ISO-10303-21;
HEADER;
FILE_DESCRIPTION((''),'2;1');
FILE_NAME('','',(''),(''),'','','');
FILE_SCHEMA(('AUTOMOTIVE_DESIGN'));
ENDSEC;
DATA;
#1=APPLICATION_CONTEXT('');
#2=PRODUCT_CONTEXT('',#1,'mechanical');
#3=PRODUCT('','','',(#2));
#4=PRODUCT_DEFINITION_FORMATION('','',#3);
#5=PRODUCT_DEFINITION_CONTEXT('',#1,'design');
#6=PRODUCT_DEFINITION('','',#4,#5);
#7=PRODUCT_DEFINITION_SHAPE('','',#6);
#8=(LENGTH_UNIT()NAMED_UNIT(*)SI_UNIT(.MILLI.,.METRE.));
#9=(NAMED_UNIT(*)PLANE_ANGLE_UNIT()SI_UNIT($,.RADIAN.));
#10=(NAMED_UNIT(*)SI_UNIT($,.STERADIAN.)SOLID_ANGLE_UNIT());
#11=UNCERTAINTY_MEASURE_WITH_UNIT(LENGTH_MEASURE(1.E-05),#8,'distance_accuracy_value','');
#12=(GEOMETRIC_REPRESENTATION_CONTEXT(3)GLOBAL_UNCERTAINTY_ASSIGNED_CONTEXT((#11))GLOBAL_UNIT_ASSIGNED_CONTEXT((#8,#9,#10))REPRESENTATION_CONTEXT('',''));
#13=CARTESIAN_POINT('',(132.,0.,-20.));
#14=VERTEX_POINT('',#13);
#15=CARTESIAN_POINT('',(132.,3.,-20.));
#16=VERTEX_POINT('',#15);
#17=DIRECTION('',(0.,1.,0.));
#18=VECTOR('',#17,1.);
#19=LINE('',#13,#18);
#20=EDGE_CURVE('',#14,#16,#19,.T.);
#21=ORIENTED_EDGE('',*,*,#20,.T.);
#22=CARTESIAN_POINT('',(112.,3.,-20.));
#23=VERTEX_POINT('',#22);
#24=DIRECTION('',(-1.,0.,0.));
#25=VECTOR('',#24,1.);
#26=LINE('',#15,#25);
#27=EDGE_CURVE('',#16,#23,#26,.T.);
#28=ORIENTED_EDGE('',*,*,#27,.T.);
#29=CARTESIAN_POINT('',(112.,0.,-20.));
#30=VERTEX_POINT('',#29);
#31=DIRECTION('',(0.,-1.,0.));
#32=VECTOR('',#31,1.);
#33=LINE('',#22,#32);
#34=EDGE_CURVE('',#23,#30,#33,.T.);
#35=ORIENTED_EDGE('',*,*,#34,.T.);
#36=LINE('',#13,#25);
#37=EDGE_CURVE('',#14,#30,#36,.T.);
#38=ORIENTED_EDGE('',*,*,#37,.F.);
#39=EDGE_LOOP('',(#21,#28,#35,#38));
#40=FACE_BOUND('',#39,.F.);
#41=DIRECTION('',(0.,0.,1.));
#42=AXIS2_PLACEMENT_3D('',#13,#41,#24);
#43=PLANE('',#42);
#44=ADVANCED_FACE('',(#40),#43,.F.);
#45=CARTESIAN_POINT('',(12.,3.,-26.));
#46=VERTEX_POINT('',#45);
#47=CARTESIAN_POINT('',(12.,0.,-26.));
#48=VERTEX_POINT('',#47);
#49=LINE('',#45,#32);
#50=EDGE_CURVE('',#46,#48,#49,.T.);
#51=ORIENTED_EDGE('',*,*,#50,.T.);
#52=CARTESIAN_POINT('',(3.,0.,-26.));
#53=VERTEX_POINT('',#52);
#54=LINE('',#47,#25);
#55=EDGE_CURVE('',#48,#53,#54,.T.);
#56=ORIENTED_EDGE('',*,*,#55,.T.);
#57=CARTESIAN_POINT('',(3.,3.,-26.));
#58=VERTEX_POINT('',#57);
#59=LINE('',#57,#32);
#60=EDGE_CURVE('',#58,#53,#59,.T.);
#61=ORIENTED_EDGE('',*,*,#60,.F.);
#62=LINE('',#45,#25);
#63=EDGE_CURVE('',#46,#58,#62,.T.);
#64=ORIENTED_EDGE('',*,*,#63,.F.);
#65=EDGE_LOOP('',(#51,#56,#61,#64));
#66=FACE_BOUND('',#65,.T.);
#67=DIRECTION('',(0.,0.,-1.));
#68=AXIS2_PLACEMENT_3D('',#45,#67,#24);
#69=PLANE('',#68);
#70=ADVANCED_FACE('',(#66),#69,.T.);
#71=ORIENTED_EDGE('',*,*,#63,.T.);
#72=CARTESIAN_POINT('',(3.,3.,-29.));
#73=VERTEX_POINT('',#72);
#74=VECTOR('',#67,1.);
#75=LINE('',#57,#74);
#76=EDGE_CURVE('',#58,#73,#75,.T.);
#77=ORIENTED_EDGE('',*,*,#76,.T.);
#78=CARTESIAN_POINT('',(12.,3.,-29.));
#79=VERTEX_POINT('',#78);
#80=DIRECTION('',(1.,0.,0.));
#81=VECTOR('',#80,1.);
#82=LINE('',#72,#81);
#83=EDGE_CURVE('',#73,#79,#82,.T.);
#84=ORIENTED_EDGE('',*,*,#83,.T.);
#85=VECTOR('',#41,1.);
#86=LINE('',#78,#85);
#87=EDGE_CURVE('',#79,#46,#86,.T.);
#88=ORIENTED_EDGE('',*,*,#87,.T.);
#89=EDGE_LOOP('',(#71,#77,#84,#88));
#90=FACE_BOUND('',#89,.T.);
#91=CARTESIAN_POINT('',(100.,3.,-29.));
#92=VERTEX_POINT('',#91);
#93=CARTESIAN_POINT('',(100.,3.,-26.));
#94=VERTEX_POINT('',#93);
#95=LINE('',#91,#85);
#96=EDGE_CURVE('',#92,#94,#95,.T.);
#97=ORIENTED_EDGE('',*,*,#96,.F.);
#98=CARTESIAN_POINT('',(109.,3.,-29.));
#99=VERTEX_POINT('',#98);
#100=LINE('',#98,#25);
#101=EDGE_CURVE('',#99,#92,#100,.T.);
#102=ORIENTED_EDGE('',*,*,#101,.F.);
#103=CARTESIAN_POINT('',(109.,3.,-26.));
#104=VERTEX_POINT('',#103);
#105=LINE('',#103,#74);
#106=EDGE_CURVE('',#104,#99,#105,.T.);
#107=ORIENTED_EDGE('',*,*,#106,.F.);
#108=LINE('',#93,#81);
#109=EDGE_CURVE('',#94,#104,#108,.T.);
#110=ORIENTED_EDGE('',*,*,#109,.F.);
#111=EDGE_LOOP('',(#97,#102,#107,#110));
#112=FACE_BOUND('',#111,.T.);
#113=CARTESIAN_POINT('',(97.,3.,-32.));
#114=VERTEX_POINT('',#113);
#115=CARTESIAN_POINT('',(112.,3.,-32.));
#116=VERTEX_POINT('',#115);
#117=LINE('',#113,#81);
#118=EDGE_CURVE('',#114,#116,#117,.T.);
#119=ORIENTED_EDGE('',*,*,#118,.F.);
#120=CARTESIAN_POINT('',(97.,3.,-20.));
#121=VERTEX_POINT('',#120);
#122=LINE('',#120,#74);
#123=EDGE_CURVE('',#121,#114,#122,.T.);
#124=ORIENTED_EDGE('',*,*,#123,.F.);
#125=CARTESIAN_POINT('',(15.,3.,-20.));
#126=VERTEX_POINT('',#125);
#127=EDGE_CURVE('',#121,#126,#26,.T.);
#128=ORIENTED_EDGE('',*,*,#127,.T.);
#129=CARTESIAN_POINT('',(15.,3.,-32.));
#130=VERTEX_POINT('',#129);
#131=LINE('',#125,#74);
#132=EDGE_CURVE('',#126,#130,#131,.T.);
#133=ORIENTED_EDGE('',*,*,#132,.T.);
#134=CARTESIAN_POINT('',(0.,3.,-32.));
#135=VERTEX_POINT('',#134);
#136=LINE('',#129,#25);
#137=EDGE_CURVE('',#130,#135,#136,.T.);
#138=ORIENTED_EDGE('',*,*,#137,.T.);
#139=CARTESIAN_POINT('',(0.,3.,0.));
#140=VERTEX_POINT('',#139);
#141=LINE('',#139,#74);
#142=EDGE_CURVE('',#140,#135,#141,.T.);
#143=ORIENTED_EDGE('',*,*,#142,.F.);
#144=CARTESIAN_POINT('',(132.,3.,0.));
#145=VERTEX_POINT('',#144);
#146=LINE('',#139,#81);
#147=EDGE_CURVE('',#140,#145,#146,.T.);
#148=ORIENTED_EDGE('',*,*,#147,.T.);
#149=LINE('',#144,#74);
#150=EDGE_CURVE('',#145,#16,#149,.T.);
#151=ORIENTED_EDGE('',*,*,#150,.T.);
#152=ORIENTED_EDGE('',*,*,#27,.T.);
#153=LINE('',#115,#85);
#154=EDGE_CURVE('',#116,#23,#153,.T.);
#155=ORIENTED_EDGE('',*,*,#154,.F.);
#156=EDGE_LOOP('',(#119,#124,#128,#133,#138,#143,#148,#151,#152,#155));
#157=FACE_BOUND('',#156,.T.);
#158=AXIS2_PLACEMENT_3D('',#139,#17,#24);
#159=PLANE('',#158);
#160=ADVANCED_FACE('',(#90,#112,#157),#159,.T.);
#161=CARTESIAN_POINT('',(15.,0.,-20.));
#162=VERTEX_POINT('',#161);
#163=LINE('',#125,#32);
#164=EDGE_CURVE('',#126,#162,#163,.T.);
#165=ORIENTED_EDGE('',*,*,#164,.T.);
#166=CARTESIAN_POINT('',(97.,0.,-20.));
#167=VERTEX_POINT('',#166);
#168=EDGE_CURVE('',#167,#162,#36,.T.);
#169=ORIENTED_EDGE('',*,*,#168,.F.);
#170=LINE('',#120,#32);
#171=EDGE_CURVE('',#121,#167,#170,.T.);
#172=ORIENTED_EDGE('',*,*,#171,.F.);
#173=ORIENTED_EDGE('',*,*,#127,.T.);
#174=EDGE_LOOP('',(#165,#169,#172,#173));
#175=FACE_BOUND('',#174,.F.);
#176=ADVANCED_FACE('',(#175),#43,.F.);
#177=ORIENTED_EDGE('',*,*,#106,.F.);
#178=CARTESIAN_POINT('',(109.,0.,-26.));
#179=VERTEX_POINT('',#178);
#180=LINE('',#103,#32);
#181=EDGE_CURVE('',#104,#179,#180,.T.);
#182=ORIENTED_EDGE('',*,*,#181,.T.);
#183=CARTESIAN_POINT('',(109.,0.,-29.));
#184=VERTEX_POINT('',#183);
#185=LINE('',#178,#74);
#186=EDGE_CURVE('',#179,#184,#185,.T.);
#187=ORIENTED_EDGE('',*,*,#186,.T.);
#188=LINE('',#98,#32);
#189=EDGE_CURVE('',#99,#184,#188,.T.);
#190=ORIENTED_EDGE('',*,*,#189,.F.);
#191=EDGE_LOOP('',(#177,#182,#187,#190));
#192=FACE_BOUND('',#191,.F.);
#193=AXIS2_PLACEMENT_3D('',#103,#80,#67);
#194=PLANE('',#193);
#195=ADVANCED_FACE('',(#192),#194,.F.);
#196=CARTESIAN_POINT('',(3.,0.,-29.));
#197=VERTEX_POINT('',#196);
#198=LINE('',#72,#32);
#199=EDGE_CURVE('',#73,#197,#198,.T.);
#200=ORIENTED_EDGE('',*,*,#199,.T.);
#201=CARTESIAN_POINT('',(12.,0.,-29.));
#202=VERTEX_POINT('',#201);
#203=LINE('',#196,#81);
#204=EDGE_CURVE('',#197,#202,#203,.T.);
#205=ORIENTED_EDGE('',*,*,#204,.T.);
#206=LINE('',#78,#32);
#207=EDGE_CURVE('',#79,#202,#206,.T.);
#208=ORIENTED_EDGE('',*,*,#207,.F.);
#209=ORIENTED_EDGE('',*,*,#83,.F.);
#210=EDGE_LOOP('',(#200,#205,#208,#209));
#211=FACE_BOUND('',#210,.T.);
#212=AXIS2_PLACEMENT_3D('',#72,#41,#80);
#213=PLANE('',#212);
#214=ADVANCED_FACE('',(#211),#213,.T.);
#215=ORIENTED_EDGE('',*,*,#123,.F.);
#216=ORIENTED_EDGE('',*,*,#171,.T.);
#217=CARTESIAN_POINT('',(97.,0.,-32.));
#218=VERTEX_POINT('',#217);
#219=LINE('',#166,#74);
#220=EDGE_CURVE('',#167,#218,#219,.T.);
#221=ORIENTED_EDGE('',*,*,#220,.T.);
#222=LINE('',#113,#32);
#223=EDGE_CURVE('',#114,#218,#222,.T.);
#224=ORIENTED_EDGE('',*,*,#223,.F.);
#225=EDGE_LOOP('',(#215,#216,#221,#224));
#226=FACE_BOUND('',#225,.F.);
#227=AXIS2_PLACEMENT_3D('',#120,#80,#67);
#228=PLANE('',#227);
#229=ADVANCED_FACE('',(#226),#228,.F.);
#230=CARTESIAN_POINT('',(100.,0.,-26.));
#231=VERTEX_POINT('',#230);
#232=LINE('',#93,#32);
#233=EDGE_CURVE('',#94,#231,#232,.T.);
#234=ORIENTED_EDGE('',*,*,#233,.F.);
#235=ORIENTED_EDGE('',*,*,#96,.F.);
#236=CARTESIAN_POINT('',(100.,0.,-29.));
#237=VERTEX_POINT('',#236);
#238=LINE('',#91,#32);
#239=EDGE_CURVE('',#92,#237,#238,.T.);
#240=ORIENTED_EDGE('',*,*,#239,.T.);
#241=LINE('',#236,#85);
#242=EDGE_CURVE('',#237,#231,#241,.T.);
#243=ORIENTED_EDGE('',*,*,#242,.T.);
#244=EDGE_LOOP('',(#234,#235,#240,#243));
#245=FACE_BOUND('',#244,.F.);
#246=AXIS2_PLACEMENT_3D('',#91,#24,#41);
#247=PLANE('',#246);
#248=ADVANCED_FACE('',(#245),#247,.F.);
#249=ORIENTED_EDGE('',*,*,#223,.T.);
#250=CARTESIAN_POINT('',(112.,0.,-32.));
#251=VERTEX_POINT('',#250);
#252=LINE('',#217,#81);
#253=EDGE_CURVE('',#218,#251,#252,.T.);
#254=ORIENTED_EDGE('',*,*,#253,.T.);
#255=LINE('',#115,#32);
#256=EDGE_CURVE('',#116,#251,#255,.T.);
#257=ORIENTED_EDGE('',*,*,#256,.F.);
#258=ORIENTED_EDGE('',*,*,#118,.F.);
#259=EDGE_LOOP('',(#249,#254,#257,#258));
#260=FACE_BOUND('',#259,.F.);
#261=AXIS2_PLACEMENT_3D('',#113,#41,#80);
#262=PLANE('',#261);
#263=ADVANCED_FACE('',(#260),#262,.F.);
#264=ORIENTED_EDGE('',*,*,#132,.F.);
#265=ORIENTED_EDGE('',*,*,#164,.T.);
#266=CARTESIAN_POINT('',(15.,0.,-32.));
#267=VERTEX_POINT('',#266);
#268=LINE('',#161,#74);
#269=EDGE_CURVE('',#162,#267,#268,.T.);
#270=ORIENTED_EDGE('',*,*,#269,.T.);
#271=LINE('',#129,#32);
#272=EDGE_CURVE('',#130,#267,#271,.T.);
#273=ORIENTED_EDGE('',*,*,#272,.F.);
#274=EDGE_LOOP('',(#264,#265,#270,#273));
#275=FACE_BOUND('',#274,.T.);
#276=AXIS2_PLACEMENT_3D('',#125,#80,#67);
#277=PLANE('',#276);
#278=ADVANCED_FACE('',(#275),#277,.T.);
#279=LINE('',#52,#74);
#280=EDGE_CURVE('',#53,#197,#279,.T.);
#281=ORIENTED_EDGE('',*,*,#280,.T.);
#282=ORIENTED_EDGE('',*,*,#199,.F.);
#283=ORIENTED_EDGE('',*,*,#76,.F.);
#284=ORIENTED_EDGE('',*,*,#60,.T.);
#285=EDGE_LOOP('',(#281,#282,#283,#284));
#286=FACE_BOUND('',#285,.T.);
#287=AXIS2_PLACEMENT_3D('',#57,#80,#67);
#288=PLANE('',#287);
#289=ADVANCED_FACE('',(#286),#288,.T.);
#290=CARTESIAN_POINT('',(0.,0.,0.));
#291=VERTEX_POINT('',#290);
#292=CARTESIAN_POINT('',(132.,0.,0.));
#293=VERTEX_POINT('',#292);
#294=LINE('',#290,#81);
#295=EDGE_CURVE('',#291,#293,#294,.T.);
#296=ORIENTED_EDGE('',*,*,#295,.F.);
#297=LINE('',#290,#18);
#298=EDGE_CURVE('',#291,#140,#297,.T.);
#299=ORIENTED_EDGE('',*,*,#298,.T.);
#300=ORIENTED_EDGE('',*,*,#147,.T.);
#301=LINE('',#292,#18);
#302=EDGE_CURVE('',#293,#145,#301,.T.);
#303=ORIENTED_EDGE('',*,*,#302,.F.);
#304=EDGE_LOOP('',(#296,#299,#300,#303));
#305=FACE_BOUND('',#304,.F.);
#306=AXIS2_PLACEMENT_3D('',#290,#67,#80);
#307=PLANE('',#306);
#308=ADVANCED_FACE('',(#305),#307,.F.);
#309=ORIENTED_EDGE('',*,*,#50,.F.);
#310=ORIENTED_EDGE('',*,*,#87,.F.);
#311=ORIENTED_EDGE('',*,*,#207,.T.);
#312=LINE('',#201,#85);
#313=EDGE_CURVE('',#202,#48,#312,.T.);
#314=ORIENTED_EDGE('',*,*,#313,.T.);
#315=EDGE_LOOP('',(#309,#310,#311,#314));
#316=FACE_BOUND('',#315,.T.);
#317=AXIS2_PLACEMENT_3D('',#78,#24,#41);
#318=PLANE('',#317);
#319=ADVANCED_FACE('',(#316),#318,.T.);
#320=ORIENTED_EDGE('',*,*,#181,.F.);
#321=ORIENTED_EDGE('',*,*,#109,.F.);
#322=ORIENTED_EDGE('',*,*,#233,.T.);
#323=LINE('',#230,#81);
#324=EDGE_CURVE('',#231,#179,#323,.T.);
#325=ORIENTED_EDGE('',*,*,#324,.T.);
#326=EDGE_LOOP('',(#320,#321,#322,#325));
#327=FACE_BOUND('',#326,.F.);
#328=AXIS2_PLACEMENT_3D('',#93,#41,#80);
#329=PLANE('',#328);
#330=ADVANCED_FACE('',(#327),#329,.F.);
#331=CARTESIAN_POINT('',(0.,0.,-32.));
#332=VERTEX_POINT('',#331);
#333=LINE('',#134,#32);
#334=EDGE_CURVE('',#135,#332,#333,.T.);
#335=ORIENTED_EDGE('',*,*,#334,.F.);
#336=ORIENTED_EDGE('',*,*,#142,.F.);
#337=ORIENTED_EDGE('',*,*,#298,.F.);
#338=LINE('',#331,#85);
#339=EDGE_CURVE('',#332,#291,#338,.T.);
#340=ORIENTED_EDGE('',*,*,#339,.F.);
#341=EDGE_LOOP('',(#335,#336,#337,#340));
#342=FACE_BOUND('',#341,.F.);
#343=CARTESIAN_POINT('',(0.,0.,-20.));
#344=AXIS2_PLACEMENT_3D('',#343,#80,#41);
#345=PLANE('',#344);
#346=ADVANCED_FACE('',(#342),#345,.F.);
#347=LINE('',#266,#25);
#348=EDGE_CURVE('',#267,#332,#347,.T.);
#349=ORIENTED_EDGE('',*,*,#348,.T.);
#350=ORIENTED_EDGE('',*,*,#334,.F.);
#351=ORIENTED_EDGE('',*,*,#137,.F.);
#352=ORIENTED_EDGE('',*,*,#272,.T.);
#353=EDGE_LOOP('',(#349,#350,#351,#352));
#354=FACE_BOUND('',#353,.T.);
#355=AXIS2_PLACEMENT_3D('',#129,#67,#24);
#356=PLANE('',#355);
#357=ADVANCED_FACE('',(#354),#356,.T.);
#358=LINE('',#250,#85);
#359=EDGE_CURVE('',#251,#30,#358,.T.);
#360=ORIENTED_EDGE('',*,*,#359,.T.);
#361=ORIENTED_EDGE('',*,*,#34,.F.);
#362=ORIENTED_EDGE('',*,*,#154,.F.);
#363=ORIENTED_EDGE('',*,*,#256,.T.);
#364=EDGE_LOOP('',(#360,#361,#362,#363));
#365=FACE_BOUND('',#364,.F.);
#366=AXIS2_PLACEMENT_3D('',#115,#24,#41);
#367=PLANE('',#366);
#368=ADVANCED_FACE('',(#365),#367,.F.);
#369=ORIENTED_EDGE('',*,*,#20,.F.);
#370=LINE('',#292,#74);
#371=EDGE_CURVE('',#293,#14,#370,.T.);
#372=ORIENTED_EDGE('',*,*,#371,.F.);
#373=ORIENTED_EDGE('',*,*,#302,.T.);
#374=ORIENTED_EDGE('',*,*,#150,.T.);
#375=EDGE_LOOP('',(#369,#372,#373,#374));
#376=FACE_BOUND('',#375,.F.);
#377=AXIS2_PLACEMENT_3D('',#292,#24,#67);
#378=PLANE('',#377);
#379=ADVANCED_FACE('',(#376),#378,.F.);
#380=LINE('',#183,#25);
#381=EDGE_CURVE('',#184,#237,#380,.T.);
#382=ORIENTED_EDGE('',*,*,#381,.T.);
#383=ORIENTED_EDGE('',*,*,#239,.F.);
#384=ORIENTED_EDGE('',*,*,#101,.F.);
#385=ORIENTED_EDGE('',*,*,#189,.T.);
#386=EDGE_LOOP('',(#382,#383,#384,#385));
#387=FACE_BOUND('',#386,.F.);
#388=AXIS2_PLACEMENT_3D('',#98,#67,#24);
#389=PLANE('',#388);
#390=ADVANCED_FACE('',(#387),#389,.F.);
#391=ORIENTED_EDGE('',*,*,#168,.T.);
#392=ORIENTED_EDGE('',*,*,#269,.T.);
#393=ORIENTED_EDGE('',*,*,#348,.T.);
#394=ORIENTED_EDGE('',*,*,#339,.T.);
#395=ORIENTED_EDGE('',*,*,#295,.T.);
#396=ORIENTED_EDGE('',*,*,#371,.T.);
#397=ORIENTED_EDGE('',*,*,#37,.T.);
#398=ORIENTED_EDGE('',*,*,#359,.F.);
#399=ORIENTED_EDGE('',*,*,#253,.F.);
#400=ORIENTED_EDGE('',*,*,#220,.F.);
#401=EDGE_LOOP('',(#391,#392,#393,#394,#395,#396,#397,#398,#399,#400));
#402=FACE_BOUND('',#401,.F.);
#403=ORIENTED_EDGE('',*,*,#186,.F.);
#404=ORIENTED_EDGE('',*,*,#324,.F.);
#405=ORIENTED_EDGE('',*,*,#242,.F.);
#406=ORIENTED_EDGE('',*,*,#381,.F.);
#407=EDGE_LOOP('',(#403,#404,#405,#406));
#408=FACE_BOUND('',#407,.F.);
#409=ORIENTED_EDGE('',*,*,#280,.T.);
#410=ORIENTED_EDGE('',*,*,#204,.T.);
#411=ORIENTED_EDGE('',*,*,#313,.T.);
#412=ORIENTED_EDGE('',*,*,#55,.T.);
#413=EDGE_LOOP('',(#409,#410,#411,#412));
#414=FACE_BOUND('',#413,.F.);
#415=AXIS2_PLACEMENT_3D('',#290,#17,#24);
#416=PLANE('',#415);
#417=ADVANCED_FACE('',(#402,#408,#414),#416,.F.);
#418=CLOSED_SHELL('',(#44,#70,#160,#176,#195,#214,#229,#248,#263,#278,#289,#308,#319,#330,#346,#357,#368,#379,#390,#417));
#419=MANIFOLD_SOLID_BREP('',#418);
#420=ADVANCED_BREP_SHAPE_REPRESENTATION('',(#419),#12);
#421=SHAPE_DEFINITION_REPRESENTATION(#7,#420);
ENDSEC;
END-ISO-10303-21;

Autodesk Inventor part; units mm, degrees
ref_plane "YZ Plane" through (0, 0, 0) normal (1, 0, 0) x (0, 1, 0)
ref_plane "XZ Plane" through (0, 0, 0) normal (0, 1, 0) x (-1, 0, 0)
ref_plane "XY Plane" through (0, 0, 0) normal (0, 0, 1) x (1, 0, 0)
sketch "Sketch1" plane through (0, 0, 0) normal (0, 1, 0) x (-1, 0, 0)
  point P0 (0, 0)
sketch "Sketch2" plane through (0, 0, 0) normal (0, 1, 0) x (-1, 0, 0)
  line L0 (0, 0) -> (-132, 0)
  line L1 (-132, 0) -> (-132, -20)
  line L2 (-132, -20) -> (0, -20)
  line L3 (0, -20) -> (0, 0)
  dimension "d0" = 132
  dimension "d1" = 20
extrude "Extrusion1" add sketch "Sketch2" along normal blind 3
sketch "Sketch3" plane through (0, 3, 0) normal (0, 1, 0) x (1, 0, 0)
  line L0 (132, 20) -> (0, 20) projected
  line L1 (0, 20) -> (15, 20)
  line L2 (15, 20) -> (15, 32)
  line L3 (15, 32) -> (0, 32)
  line L4 (0, 32) -> (0, 20)
  line L5 (3, 29) -> (12, 29)
  line L6 (12, 29) -> (12, 26)
  line L7 (12, 26) -> (3, 26)
  line L8 (3, 26) -> (3, 29)
  line L9 (132, 0) -> (132, 20)
  line L10 (112, 20) -> (97, 20)
  line L11 (97, 20) -> (97, 32)
  line L12 (97, 32) -> (112, 32)
  line L13 (112, 32) -> (112, 20)
  line L14 (109, 29) -> (100, 29)
  line L15 (100, 29) -> (100, 26)
  line L16 (100, 26) -> (109, 26)
  line L17 (109, 26) -> (109, 29)
  point P0 (0, 0)
  dimension "d4" = 15
  dimension "d8" = 3
  dimension "d9" = 3
  dimension "d10" = 3
  dimension "d11" = 6
  dimension "d12" = 3
  dimension "d13" = 15
  dimension "d14" = 3
  dimension "d15" = 3
  dimension "d16" = 3
  dimension "d17" = 3
  dimension "d18" = 6
  dimension "d19" = 82
extrude "Extrusion2" add sketch "Sketch3" against normal blind 3
equation "\"d9\" = d8"
equation "\"d10\" = d8"
equation "\"d16\" = d15"
equation "\"d17\" = d15"
properties part number "ball-reload-right"
